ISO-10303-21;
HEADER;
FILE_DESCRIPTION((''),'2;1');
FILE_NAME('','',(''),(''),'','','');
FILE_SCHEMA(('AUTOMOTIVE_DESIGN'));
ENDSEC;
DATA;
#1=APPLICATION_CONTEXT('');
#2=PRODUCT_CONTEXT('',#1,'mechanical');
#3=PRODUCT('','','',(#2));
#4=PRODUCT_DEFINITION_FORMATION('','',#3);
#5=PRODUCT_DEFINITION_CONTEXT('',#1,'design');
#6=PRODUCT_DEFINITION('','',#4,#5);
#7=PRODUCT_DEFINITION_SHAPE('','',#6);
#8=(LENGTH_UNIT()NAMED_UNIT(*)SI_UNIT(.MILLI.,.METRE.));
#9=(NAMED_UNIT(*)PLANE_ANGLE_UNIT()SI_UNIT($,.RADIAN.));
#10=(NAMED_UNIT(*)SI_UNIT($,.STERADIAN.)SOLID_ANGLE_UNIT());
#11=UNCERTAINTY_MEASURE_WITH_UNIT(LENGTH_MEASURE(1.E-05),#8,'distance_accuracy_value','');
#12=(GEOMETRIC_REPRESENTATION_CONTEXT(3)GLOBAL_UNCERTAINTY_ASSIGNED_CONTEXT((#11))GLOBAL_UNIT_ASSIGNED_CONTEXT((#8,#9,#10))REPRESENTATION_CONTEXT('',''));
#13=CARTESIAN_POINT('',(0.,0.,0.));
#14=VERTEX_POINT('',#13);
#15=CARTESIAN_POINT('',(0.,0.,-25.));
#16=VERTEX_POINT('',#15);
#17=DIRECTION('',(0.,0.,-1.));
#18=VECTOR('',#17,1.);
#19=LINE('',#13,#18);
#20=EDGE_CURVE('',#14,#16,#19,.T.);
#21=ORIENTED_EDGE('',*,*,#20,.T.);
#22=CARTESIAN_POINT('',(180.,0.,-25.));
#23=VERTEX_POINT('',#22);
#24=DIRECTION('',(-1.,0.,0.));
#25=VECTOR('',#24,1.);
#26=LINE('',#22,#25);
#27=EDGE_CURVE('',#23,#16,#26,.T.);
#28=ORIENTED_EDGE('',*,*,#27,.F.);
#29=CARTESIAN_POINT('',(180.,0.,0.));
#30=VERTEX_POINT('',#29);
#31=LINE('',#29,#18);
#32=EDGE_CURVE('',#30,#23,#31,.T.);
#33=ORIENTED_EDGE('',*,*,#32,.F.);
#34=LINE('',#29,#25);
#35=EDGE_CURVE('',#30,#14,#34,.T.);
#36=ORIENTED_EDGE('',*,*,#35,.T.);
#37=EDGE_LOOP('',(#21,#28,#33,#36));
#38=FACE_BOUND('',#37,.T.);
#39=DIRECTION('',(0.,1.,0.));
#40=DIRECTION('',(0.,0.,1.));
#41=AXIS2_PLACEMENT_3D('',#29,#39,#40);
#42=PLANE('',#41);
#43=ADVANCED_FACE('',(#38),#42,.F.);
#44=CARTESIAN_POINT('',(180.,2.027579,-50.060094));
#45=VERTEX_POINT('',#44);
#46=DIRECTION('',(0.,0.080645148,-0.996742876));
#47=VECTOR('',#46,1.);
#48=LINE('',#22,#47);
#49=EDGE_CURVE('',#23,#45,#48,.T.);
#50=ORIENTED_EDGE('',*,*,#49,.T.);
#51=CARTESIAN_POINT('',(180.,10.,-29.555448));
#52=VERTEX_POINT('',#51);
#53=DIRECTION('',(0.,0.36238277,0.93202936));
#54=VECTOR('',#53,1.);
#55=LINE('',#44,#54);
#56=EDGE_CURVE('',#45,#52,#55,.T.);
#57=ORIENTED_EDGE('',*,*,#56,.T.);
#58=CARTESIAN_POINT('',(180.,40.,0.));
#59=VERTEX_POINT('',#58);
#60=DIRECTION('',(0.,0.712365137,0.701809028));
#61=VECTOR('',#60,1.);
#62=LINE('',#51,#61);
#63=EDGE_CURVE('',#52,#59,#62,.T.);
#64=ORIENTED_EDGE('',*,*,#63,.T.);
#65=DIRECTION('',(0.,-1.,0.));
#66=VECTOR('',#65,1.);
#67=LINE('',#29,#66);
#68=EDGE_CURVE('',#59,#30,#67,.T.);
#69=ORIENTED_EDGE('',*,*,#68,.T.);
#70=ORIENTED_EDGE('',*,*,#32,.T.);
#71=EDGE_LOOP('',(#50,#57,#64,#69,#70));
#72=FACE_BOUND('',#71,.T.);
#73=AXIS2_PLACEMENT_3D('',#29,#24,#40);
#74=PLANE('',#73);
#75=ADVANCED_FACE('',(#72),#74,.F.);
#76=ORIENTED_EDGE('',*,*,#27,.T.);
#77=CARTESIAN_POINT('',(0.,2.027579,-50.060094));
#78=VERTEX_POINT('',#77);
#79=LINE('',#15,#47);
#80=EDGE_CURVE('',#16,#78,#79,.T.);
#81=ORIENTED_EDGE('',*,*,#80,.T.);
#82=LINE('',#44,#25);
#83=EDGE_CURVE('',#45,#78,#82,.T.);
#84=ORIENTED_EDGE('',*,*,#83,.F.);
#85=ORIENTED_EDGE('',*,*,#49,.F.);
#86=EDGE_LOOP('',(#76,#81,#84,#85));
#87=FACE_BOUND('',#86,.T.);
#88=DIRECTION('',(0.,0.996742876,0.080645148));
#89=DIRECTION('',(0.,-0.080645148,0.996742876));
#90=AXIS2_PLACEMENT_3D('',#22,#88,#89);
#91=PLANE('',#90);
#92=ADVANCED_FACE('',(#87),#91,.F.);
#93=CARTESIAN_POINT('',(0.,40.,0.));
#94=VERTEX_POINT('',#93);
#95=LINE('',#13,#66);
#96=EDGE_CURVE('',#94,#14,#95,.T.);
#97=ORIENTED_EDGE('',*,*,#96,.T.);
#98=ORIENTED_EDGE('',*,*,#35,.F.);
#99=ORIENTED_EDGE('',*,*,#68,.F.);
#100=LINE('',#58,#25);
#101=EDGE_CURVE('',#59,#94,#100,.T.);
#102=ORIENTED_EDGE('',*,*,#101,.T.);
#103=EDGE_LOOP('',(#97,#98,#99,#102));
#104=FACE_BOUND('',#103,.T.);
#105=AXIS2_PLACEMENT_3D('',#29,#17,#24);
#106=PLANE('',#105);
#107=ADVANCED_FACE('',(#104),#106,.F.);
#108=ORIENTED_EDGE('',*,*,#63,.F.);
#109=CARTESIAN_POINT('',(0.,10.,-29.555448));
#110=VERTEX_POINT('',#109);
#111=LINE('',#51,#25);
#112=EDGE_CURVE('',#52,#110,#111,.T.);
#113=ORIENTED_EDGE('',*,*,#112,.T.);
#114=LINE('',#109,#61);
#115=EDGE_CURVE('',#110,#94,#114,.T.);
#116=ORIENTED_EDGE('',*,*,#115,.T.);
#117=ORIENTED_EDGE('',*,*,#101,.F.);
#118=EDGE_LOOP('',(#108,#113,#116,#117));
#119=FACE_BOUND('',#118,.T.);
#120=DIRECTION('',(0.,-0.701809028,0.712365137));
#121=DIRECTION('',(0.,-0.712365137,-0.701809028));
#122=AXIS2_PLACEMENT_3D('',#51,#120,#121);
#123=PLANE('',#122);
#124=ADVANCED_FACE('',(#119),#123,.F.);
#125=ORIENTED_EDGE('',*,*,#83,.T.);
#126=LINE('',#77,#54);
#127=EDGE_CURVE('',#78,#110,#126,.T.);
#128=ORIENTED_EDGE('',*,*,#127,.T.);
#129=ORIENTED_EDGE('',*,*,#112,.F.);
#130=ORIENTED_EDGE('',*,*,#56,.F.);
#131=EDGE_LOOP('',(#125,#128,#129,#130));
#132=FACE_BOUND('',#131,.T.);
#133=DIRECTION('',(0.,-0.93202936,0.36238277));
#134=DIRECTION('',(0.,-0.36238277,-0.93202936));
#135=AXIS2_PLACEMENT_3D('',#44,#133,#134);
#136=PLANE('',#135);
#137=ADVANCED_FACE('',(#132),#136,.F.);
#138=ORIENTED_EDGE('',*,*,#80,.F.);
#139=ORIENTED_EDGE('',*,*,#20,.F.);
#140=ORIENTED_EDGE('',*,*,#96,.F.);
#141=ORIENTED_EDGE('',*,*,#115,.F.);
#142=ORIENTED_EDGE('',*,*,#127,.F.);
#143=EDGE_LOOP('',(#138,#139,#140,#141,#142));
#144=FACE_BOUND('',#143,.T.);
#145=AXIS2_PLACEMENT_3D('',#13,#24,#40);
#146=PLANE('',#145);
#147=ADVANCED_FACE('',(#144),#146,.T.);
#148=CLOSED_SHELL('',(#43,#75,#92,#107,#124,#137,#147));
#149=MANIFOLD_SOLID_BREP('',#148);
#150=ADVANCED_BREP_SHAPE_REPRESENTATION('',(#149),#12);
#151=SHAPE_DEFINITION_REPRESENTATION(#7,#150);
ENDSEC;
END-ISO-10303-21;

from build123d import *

# Parameters (mm, degrees)
BOSS_EXTRUDE1_DEPTH = 180


with BuildPart() as part:
    # Sketch1 → Boss-Extrude1 (new body)
    with BuildSketch(Plane(origin=(0, 0, 0), x_dir=(0, 0, -1), z_dir=(1, 0, 0))):
        Polygon((0, 0), (0, 40), (29.555448143, 10), (50.060094066, 2.027579065), (25, 0), align=None)
    extrude(amount=BOSS_EXTRUDE1_DEPTH)


solid = part.part
